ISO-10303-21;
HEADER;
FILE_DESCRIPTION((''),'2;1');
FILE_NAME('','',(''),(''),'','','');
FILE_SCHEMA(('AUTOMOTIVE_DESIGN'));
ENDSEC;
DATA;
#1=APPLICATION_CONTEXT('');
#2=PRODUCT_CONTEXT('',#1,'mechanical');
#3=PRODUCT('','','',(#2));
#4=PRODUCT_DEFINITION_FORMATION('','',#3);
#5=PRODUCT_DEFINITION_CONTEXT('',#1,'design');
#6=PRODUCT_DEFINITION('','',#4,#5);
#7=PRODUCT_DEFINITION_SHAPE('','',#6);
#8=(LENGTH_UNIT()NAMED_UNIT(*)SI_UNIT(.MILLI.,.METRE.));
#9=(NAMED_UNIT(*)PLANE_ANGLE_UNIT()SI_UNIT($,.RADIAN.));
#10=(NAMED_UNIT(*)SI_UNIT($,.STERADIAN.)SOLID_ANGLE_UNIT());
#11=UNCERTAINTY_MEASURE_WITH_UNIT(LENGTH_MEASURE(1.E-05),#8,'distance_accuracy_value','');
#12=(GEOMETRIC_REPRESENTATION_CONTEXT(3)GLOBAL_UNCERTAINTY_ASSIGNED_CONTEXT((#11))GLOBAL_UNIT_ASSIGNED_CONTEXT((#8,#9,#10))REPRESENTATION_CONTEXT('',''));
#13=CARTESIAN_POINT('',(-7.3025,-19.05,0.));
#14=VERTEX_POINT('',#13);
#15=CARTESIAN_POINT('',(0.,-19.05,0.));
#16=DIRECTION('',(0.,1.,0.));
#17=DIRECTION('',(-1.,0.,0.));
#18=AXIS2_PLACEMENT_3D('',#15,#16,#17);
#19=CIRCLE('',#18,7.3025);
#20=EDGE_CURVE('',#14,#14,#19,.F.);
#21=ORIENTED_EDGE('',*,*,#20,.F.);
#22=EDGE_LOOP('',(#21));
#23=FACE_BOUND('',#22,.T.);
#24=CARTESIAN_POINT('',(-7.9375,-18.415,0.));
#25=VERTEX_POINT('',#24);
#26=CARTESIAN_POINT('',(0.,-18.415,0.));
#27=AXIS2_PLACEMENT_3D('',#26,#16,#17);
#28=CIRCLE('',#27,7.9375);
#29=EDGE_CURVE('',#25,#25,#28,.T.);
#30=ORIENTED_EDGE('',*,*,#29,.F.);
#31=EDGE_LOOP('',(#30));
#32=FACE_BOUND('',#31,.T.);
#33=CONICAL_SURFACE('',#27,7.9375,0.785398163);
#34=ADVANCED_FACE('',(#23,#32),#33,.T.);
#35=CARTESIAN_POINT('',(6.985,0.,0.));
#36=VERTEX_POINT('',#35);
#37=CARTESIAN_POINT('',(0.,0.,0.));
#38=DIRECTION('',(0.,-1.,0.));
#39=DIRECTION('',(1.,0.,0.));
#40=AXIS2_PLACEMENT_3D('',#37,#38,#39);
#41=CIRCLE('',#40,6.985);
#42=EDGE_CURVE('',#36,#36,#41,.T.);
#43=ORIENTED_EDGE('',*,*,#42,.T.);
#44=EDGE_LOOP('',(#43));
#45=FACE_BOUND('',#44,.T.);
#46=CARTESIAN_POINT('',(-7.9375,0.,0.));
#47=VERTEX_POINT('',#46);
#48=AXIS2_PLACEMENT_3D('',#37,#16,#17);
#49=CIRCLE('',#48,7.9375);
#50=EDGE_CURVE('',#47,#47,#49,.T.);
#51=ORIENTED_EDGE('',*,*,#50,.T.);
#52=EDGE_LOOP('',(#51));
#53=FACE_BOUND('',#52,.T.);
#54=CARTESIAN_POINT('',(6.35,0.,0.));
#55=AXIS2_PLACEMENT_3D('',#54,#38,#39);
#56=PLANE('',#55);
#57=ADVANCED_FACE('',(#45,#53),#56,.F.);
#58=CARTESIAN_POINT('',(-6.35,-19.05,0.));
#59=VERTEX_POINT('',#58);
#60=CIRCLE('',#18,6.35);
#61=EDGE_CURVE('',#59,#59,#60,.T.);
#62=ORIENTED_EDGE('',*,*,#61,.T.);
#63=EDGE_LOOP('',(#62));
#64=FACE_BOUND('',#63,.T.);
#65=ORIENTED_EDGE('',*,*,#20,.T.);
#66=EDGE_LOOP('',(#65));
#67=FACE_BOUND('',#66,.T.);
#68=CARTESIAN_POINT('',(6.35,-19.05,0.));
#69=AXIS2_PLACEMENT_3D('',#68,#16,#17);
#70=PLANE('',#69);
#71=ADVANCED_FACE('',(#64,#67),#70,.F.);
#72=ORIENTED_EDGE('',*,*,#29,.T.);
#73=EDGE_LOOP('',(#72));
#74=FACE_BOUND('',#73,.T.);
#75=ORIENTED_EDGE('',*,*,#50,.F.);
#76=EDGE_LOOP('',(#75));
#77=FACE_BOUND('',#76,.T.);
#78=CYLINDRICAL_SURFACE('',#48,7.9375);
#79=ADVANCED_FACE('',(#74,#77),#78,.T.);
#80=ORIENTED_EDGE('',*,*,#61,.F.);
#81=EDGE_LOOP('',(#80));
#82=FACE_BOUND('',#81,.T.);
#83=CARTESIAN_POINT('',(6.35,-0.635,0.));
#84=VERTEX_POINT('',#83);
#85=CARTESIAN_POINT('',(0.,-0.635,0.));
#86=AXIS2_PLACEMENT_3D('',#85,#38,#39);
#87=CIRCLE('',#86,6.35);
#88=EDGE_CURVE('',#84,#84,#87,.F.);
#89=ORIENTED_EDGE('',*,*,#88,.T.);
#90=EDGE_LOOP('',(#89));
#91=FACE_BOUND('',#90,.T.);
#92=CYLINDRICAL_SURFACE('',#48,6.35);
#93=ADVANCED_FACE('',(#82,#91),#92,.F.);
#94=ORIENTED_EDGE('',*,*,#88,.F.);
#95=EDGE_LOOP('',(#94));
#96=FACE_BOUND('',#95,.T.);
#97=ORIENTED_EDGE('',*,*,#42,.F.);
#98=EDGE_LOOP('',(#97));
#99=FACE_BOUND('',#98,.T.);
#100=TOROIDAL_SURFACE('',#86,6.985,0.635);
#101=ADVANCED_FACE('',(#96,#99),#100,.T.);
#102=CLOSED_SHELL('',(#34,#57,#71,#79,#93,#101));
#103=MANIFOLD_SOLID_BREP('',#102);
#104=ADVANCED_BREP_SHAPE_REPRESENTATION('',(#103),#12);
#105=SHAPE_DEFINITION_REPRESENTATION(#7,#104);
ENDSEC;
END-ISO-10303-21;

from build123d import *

# Parameters (mm, degrees)
BODY_SECTION_W      = 1.5875
BODY_SECTION_H      = 19.05
TOP_RADIUS_R        = 0.635
BOTTOM_CHAMFER_SIZE = 0.635


with BuildPart() as part:
    # BODY SECTION → BODY (revolve)
    with BuildSketch(Plane.XY, mode=Mode.PRIVATE) as body_sk:
        with Locations((7.14375, -9.525)):
            Rectangle(BODY_SECTION_W, BODY_SECTION_H)
    revolve(body_sk.sketch.rotate(Axis((0, 0, 0), (0, -1, 0)), 180), axis=Axis((0, 0, 0), (0, -1, 0)))

    # TOP RADIUS
    top_radius_edges = [part.edges().sort_by_distance(p)[0] for p in [
        (6.35, 0, 0),
    ]]
    fillet(top_radius_edges, radius=TOP_RADIUS_R)

    # BOTTOM CHAMFER
    bottom_chamfer_edges = [part.edges().sort_by_distance(p)[0] for p in [
        (7.9375, -19.05, 0),
    ]]
    chamfer(bottom_chamfer_edges, length=BOTTOM_CHAMFER_SIZE)


solid = part.part
